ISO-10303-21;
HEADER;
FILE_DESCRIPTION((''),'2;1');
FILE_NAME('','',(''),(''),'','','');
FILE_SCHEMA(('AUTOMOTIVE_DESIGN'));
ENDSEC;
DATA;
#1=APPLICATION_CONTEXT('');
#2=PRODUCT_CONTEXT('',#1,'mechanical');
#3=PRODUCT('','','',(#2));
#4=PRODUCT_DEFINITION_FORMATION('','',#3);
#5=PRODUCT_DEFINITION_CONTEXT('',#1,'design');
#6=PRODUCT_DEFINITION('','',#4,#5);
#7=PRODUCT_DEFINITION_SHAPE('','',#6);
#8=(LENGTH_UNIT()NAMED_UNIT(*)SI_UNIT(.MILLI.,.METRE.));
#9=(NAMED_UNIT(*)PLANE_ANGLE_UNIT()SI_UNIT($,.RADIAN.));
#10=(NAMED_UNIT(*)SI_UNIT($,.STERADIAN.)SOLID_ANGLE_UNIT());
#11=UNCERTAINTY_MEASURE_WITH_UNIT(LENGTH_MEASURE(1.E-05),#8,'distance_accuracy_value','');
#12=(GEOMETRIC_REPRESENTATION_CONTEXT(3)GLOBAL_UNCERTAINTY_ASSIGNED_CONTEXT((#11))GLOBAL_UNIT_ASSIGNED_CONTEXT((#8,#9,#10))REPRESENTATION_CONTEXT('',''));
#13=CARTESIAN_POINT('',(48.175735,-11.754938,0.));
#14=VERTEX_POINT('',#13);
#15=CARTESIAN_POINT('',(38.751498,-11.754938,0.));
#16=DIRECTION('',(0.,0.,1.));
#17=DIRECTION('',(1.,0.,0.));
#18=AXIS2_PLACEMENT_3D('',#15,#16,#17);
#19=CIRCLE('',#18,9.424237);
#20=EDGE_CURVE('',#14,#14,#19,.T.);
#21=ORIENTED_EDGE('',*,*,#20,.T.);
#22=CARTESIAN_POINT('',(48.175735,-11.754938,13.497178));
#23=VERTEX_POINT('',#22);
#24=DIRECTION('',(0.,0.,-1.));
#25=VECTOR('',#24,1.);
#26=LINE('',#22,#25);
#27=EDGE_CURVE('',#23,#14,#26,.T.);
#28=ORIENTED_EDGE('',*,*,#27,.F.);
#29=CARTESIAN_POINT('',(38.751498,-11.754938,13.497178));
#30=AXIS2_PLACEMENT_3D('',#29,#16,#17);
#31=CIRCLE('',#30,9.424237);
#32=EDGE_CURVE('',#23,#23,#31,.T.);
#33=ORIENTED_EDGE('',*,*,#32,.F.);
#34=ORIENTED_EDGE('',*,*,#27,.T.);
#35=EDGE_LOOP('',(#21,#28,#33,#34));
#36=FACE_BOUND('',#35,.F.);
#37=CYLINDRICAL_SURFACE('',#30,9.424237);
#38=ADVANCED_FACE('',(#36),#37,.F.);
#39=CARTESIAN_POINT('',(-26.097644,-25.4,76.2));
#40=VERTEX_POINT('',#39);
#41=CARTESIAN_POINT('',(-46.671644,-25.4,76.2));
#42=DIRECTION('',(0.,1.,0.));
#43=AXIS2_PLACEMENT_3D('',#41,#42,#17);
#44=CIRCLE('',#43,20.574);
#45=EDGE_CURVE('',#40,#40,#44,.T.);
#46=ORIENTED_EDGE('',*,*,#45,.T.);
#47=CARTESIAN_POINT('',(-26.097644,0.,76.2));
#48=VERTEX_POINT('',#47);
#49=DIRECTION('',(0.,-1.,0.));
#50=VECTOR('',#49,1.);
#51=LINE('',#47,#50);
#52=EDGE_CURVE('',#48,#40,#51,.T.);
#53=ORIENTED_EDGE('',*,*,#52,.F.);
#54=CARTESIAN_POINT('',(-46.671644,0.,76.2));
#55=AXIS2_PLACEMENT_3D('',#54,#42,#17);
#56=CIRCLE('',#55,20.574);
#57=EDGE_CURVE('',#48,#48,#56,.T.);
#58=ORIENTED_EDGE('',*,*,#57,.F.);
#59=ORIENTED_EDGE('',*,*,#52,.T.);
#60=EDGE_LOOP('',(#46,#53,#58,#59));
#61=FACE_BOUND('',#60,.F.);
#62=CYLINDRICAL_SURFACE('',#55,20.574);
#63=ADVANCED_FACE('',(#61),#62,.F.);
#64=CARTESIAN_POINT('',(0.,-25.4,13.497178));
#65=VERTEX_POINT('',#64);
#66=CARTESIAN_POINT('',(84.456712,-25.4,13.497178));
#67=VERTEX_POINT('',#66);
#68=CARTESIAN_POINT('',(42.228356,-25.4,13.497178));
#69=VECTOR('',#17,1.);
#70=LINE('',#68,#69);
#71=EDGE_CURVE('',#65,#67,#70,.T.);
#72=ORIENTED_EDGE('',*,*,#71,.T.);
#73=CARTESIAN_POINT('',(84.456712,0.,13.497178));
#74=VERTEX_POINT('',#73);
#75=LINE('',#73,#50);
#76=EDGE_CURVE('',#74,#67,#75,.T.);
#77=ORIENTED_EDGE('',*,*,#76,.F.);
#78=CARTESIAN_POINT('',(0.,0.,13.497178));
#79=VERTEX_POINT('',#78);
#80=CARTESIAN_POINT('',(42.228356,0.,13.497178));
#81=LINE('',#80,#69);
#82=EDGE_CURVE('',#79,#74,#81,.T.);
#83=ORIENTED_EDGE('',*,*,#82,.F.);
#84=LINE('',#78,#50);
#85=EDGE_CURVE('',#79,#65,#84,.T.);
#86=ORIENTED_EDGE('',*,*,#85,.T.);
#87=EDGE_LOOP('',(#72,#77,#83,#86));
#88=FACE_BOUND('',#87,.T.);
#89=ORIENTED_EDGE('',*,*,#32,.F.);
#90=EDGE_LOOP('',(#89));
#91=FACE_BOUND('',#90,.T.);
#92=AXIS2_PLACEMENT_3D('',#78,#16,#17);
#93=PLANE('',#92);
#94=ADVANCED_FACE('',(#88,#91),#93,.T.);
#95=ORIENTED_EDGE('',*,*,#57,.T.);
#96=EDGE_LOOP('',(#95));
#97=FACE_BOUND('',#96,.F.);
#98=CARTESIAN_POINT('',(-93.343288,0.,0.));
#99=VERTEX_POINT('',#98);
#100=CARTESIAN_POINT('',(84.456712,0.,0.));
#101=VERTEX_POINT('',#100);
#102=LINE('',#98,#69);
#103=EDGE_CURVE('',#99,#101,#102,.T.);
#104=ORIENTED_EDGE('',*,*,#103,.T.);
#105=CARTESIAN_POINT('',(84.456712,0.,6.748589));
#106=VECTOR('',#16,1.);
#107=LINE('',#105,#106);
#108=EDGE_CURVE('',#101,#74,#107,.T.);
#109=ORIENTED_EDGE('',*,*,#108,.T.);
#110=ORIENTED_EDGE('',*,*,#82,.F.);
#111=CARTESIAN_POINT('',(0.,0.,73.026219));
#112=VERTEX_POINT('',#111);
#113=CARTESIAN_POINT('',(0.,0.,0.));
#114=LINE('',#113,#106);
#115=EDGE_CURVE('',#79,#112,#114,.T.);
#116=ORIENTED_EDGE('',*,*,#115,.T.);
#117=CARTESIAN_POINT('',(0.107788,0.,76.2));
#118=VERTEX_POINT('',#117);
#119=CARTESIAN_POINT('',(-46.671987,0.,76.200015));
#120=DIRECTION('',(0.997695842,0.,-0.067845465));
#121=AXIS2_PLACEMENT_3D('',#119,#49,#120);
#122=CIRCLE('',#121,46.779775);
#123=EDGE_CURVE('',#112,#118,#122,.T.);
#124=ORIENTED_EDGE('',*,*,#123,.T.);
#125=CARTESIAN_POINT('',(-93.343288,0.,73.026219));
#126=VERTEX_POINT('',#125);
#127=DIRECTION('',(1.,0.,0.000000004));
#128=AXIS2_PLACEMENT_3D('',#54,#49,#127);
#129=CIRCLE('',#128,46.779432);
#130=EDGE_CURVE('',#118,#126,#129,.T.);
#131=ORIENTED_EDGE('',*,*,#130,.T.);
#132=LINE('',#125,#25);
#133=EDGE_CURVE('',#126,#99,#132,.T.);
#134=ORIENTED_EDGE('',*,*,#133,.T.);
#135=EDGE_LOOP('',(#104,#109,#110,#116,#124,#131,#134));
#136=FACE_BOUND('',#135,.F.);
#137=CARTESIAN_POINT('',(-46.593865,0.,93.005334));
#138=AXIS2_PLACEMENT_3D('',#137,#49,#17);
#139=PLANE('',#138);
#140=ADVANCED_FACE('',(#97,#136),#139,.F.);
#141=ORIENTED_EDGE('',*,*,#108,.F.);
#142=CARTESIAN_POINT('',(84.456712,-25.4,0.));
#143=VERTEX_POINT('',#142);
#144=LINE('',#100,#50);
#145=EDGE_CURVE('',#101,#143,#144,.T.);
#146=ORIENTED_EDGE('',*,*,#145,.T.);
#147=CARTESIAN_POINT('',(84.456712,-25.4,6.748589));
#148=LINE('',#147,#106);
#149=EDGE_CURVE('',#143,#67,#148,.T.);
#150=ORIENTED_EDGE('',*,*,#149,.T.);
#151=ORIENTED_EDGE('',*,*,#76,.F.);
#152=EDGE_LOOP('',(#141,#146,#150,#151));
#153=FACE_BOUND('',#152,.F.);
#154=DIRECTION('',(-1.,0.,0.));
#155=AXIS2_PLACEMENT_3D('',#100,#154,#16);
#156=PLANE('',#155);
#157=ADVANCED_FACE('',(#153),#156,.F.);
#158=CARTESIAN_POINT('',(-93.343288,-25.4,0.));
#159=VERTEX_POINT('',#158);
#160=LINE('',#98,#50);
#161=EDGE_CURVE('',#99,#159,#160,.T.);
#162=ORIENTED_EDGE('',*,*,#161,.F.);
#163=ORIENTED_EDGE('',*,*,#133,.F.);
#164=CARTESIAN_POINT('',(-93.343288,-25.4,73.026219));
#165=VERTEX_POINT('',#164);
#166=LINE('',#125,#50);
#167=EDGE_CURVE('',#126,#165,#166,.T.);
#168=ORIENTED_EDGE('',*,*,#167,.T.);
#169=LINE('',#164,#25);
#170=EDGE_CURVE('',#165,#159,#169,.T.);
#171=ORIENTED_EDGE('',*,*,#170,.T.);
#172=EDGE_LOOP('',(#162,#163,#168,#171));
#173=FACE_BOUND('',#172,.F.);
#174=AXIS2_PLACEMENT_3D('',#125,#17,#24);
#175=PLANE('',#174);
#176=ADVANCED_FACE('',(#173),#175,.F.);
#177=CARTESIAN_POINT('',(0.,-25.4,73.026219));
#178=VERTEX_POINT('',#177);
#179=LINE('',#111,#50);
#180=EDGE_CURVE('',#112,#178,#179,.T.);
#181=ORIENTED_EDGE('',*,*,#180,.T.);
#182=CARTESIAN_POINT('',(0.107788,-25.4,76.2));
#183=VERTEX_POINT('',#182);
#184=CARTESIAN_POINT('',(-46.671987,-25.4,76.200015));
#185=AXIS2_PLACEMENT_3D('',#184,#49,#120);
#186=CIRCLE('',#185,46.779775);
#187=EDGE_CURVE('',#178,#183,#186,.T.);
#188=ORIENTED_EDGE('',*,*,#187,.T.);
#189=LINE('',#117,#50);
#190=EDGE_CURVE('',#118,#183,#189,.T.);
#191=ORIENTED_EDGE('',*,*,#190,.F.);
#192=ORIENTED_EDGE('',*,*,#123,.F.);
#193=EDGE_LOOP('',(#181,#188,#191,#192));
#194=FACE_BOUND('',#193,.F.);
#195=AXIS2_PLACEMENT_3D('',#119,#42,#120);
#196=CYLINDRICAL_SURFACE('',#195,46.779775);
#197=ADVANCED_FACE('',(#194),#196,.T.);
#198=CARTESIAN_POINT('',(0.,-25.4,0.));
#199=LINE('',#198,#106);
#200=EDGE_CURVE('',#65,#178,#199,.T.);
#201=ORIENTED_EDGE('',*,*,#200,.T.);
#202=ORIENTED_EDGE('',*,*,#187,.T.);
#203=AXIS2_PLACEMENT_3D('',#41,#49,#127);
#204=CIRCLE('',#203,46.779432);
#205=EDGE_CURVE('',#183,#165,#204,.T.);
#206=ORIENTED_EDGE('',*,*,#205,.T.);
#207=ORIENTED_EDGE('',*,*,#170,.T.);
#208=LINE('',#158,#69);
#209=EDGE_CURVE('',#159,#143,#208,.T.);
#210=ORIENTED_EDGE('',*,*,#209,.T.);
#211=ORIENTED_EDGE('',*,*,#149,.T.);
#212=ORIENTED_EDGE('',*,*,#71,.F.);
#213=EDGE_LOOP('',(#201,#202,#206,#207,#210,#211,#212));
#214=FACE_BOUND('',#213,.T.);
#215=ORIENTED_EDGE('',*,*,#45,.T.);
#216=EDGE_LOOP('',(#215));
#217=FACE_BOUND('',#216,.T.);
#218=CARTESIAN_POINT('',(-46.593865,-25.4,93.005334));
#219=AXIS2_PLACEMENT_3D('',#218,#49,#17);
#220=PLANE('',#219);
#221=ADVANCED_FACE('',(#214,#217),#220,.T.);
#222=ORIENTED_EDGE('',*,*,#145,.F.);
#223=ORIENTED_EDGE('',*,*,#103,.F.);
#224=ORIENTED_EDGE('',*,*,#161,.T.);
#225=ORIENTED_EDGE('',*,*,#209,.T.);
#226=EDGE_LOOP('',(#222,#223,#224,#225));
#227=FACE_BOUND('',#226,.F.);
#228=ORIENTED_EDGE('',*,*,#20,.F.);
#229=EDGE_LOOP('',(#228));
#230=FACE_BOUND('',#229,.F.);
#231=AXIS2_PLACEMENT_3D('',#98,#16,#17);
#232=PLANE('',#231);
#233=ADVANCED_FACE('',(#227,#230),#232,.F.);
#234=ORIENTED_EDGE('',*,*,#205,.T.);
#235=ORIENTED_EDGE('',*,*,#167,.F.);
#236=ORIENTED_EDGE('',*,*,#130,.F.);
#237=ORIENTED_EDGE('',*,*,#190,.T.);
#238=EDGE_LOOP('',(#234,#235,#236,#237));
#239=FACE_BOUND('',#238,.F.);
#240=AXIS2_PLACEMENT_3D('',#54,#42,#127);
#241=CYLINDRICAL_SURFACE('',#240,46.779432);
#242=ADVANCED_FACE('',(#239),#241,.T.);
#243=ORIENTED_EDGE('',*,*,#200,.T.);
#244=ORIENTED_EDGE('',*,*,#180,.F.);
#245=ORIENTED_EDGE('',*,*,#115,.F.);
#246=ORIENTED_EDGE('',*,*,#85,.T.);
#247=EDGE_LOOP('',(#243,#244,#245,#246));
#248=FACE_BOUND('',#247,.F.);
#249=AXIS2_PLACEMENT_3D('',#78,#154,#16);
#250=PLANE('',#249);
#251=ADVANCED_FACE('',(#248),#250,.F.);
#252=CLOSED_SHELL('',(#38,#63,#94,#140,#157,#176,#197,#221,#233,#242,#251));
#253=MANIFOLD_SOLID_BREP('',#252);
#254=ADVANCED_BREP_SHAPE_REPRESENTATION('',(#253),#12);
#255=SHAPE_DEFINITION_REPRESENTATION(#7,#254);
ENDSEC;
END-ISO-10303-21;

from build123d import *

# Parameters (mm, degrees)
F0_W     = 84.456712
F0_H     = 13.497178
F1_DEPTH = 25.4
F2_R     = 9.965613
F3_DEPTH = 25.4
F4_R     = 9.424237
F5_DEPTH = 25.4


with BuildPart() as f1:
    # F0 (on Front) → F1 (new body)
    with BuildSketch(Plane.XZ):
        with BuildLine():
            ThreePointArc((0.107788, 76.2), (-48.259449, 122.952477), (-93.343288, 73.026219))
            Line((-93.343288, 73.026219), (-93.343288, 76.2))
            Line((-93.343288, 76.2), (-67.245644, 76.2))
            ThreePointArc((-67.245644, 76.2), (-46.671644, 96.774), (-26.097644, 76.2))
            Line((-26.097644, 76.2), (0, 76.2))
            Line((0, 76.2), (0, 73.026219))
            ThreePointArc((0, 73.026219), (0.080833, 74.612195), (0.107788, 76.2))
        make_face()
        with BuildLine():
            Line((-93.343288, 76.2), (-93.343288, 73.026219))
            ThreePointArc((-93.343288, 73.026219), (-46.671644, 29.420568), (0, 73.026219))
            Line((0, 73.026219), (0, 76.2))
            Line((0, 76.2), (-26.097644, 76.2))
            ThreePointArc((-26.097644, 76.2), (-46.671644, 55.626), (-67.245644, 76.2))
            Line((-67.245644, 76.2), (-93.343288, 76.2))
        make_face()
        with BuildLine():
            Line((-93.343288, 73.026219), (-93.343288, 0))
            Line((-93.343288, 0), (0, 0))
            Line((0, 0), (0, 13.497178))
            Line((0, 13.497178), (0, 73.026219))
            ThreePointArc((0, 73.026219), (-46.671644, 29.420568), (-93.343288, 73.026219))
        make_face()
        with Locations((42.228356, 6.748589)):
            Rectangle(F0_W, F0_H)
    extrude(amount=F1_DEPTH)

    # F2 (on Top) → F3 (cut)
    with BuildSketch(Plane.XY):
        with Locations((45.747578, -12.0396)):
            Circle(F2_R)
    extrude(amount=-F3_DEPTH, mode=Mode.SUBTRACT)

    # F4 (on face) → F5 (cut)
    with BuildSketch(Plane.XY.offset(13.497178)):
        with Locations((38.751498, -11.754938)):
            Circle(F4_R)
    extrude(amount=-F5_DEPTH, mode=Mode.SUBTRACT)


solid = f1.part
